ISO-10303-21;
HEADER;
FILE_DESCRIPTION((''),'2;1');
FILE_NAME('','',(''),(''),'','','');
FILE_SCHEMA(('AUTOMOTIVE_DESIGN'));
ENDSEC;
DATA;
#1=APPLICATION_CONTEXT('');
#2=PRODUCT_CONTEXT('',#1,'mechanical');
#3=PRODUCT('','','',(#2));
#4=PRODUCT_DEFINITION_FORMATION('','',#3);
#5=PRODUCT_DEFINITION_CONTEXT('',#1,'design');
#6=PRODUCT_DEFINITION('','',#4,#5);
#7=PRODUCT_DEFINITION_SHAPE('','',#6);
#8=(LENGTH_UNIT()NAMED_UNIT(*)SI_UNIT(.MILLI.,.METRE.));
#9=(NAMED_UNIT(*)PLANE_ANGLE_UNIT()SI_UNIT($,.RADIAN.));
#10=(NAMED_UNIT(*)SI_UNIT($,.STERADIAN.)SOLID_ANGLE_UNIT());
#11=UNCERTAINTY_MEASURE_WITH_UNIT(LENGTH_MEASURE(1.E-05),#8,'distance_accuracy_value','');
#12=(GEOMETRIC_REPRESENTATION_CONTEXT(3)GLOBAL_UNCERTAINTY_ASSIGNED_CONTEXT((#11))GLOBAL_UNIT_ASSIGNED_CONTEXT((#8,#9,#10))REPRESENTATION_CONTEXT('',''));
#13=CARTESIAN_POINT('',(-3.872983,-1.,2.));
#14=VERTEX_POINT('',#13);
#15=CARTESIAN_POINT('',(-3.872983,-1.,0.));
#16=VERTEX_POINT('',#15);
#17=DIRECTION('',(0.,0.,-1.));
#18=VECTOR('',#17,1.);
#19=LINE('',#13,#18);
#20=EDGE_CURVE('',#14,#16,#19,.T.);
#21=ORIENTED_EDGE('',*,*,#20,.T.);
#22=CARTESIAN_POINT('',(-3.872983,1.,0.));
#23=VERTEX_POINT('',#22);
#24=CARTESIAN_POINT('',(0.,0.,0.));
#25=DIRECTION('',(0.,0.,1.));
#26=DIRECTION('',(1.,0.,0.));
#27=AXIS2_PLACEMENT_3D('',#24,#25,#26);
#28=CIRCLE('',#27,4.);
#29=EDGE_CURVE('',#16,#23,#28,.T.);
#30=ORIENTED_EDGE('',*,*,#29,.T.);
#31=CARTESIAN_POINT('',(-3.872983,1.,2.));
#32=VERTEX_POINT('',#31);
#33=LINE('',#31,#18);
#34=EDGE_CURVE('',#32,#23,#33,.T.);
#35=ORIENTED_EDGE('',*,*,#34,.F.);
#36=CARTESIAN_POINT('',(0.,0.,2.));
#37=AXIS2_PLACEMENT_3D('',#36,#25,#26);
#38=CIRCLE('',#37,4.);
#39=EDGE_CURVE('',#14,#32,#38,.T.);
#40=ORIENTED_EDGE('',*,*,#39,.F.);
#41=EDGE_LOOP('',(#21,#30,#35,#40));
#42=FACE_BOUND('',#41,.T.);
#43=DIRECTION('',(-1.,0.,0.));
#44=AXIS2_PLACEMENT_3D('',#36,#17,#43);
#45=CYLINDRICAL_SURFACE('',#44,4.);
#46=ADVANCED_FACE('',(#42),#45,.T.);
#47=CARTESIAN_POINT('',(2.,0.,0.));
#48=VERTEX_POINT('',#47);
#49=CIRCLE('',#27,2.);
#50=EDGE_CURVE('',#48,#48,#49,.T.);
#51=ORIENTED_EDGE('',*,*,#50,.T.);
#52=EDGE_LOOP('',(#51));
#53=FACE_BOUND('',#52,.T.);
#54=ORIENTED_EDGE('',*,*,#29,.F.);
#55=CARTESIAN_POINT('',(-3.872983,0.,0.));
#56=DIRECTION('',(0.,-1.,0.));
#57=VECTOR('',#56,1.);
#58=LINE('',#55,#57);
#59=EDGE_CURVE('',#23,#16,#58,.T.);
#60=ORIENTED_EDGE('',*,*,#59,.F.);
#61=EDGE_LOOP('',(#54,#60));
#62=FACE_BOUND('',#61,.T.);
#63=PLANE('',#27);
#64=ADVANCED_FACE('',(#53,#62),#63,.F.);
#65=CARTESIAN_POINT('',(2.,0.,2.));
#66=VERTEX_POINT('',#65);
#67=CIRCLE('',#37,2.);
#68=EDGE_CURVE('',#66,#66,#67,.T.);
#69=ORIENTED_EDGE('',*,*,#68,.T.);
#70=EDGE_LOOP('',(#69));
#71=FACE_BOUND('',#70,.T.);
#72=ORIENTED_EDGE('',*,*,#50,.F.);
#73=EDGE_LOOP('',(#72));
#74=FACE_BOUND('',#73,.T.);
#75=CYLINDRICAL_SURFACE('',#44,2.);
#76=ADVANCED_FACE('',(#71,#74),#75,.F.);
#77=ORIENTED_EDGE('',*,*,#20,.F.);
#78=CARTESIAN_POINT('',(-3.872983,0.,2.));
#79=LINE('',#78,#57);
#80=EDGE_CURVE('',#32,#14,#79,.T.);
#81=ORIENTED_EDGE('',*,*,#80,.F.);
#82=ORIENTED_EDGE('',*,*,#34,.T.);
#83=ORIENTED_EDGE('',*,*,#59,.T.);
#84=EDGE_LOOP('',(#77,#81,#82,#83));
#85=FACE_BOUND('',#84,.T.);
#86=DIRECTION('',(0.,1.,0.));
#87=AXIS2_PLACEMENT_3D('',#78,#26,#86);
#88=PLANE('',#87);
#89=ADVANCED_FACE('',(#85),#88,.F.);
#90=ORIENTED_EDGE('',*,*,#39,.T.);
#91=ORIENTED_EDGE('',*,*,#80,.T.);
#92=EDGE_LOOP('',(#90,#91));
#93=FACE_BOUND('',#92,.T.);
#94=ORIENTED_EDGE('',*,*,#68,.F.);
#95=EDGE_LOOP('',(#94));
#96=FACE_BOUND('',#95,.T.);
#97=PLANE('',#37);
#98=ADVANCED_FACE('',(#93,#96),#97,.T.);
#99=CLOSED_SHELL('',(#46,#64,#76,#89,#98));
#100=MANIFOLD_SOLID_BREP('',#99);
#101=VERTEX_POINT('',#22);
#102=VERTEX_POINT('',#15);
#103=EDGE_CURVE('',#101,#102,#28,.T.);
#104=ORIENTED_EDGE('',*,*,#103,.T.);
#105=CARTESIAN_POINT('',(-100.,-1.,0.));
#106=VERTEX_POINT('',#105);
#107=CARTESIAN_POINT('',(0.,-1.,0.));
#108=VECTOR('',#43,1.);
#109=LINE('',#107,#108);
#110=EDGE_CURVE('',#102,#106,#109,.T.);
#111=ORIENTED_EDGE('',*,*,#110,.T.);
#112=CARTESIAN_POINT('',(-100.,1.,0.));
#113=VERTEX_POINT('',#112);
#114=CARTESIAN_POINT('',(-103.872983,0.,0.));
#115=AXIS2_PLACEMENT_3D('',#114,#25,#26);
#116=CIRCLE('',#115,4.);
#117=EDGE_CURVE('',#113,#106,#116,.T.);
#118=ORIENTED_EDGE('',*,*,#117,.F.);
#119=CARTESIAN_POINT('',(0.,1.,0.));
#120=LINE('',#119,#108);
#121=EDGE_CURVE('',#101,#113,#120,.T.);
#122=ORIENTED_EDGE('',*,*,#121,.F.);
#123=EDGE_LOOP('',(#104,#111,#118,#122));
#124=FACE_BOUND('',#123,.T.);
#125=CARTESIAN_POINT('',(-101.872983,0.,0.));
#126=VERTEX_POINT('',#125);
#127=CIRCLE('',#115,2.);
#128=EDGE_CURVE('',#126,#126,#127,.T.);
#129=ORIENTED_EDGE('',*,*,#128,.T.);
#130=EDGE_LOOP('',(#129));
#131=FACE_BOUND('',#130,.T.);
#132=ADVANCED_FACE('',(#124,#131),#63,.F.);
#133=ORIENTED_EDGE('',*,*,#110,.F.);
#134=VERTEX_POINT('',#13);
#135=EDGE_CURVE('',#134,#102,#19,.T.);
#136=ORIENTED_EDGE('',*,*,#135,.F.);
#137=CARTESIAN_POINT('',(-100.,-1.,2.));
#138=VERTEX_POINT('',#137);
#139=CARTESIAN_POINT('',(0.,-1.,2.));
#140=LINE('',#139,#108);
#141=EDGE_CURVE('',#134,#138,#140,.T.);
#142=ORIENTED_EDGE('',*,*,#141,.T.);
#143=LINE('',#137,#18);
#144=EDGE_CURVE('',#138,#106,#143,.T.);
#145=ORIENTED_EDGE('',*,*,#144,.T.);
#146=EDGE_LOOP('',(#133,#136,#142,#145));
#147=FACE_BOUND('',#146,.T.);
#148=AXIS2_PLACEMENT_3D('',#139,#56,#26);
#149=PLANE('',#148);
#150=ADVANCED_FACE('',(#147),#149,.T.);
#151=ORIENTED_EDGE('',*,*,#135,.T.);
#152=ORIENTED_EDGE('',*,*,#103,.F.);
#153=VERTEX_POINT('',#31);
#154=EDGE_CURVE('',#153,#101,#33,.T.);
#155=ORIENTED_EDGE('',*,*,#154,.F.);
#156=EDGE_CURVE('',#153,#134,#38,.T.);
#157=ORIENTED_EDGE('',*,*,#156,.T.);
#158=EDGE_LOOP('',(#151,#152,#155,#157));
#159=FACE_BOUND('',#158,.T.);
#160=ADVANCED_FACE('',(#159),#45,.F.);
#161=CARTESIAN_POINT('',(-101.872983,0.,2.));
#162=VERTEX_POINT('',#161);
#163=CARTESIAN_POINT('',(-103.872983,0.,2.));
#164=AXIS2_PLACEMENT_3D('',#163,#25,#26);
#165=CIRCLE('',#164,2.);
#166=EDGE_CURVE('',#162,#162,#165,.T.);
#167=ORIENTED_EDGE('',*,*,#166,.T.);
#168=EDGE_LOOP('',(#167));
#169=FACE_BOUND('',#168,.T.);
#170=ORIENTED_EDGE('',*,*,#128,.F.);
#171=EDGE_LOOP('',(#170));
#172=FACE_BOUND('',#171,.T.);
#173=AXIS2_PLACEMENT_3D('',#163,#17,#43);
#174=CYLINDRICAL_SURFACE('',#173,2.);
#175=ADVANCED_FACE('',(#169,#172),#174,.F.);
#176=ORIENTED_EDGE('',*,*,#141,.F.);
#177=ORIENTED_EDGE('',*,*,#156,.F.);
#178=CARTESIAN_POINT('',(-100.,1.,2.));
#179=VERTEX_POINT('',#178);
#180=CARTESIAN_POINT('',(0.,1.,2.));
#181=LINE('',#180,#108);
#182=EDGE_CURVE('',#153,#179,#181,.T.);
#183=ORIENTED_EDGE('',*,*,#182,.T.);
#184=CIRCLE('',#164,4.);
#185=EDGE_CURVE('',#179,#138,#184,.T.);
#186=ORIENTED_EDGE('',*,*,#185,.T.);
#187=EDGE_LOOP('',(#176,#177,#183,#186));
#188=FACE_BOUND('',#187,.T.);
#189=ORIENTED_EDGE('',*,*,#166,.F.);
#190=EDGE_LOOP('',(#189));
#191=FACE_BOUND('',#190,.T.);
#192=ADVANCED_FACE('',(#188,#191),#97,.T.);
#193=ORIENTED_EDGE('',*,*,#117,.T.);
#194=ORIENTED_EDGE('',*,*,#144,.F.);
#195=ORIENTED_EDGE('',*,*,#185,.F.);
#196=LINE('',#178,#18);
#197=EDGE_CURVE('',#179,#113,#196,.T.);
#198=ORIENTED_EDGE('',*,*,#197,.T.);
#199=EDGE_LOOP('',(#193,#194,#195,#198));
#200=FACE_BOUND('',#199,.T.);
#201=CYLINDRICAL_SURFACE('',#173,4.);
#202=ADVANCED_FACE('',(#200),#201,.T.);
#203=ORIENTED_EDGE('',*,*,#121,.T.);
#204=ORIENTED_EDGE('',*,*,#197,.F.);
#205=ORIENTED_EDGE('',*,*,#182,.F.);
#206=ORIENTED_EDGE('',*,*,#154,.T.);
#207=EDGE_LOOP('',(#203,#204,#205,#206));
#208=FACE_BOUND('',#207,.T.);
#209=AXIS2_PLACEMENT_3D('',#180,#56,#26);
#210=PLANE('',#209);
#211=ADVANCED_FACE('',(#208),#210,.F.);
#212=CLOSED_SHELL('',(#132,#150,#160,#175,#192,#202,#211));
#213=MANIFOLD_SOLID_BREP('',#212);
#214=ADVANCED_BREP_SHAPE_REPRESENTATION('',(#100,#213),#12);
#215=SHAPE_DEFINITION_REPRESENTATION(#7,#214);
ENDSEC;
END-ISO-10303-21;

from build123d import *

# Parameters (mm, degrees)
SKETCH2_R           = 2
BOSS_EXTRUDE1_DEPTH = 2


with BuildPart() as part:
    # Sketch2 → Boss-Extrude1 (new body)
    with BuildSketch(Plane.XY):
        with BuildLine():
            ThreePointArc((-99.872983346, 0), (-99.904864561, 0.50401717), (-100, 1))
            Line((-100, 1), (-102.140932539, 1))
            ThreePointArc((-102.140932539, 1), (-101.941131694, 0.51763809), (-101.872983346, 0))
            ThreePointArc((-101.872983346, 0), (-101.941131694, -0.51763809), (-102.140932539, -1))
            Line((-102.140932539, -1), (-100, -1))
            ThreePointArc((-100, -1), (-99.904864561, -0.50401717), (-99.872983346, 0))
        make_face()
        with BuildLine():
            Line((-102.140932539, 1), (-100, 1))
            ThreePointArc((-100, 1), (-107.872983346, 0), (-100, -1))
            Line((-100, -1), (-102.140932539, -1))
            ThreePointArc((-102.140932539, -1), (-105.872983346, 0), (-102.140932539, 1))
        make_face()
        with BuildLine():
            ThreePointArc((-3.872983346, -1), (-4, 0), (-3.872983346, 1))
            Line((-3.872983346, 1), (-100, 1))
            ThreePointArc((-100, 1), (-99.904864561, 0.50401717), (-99.872983346, 0))
            ThreePointArc((-99.872983346, 0), (-99.904864561, -0.50401717), (-100, -1))
            Line((-100, -1), (-3.872983346, -1))
        make_face()
        with BuildLine():
            ThreePointArc((4, 0), (0.50401717, 3.968118785), (-3.872983346, 1))
            Line((-3.872983346, 1), (-3.872983346, -1))
            ThreePointArc((-3.872983346, -1), (0.50401717, -3.968118785), (4, 0))
        make_face()
        Circle(SKETCH2_R, mode=Mode.SUBTRACT)
    extrude(amount=BOSS_EXTRUDE1_DEPTH)


solid = part.part
